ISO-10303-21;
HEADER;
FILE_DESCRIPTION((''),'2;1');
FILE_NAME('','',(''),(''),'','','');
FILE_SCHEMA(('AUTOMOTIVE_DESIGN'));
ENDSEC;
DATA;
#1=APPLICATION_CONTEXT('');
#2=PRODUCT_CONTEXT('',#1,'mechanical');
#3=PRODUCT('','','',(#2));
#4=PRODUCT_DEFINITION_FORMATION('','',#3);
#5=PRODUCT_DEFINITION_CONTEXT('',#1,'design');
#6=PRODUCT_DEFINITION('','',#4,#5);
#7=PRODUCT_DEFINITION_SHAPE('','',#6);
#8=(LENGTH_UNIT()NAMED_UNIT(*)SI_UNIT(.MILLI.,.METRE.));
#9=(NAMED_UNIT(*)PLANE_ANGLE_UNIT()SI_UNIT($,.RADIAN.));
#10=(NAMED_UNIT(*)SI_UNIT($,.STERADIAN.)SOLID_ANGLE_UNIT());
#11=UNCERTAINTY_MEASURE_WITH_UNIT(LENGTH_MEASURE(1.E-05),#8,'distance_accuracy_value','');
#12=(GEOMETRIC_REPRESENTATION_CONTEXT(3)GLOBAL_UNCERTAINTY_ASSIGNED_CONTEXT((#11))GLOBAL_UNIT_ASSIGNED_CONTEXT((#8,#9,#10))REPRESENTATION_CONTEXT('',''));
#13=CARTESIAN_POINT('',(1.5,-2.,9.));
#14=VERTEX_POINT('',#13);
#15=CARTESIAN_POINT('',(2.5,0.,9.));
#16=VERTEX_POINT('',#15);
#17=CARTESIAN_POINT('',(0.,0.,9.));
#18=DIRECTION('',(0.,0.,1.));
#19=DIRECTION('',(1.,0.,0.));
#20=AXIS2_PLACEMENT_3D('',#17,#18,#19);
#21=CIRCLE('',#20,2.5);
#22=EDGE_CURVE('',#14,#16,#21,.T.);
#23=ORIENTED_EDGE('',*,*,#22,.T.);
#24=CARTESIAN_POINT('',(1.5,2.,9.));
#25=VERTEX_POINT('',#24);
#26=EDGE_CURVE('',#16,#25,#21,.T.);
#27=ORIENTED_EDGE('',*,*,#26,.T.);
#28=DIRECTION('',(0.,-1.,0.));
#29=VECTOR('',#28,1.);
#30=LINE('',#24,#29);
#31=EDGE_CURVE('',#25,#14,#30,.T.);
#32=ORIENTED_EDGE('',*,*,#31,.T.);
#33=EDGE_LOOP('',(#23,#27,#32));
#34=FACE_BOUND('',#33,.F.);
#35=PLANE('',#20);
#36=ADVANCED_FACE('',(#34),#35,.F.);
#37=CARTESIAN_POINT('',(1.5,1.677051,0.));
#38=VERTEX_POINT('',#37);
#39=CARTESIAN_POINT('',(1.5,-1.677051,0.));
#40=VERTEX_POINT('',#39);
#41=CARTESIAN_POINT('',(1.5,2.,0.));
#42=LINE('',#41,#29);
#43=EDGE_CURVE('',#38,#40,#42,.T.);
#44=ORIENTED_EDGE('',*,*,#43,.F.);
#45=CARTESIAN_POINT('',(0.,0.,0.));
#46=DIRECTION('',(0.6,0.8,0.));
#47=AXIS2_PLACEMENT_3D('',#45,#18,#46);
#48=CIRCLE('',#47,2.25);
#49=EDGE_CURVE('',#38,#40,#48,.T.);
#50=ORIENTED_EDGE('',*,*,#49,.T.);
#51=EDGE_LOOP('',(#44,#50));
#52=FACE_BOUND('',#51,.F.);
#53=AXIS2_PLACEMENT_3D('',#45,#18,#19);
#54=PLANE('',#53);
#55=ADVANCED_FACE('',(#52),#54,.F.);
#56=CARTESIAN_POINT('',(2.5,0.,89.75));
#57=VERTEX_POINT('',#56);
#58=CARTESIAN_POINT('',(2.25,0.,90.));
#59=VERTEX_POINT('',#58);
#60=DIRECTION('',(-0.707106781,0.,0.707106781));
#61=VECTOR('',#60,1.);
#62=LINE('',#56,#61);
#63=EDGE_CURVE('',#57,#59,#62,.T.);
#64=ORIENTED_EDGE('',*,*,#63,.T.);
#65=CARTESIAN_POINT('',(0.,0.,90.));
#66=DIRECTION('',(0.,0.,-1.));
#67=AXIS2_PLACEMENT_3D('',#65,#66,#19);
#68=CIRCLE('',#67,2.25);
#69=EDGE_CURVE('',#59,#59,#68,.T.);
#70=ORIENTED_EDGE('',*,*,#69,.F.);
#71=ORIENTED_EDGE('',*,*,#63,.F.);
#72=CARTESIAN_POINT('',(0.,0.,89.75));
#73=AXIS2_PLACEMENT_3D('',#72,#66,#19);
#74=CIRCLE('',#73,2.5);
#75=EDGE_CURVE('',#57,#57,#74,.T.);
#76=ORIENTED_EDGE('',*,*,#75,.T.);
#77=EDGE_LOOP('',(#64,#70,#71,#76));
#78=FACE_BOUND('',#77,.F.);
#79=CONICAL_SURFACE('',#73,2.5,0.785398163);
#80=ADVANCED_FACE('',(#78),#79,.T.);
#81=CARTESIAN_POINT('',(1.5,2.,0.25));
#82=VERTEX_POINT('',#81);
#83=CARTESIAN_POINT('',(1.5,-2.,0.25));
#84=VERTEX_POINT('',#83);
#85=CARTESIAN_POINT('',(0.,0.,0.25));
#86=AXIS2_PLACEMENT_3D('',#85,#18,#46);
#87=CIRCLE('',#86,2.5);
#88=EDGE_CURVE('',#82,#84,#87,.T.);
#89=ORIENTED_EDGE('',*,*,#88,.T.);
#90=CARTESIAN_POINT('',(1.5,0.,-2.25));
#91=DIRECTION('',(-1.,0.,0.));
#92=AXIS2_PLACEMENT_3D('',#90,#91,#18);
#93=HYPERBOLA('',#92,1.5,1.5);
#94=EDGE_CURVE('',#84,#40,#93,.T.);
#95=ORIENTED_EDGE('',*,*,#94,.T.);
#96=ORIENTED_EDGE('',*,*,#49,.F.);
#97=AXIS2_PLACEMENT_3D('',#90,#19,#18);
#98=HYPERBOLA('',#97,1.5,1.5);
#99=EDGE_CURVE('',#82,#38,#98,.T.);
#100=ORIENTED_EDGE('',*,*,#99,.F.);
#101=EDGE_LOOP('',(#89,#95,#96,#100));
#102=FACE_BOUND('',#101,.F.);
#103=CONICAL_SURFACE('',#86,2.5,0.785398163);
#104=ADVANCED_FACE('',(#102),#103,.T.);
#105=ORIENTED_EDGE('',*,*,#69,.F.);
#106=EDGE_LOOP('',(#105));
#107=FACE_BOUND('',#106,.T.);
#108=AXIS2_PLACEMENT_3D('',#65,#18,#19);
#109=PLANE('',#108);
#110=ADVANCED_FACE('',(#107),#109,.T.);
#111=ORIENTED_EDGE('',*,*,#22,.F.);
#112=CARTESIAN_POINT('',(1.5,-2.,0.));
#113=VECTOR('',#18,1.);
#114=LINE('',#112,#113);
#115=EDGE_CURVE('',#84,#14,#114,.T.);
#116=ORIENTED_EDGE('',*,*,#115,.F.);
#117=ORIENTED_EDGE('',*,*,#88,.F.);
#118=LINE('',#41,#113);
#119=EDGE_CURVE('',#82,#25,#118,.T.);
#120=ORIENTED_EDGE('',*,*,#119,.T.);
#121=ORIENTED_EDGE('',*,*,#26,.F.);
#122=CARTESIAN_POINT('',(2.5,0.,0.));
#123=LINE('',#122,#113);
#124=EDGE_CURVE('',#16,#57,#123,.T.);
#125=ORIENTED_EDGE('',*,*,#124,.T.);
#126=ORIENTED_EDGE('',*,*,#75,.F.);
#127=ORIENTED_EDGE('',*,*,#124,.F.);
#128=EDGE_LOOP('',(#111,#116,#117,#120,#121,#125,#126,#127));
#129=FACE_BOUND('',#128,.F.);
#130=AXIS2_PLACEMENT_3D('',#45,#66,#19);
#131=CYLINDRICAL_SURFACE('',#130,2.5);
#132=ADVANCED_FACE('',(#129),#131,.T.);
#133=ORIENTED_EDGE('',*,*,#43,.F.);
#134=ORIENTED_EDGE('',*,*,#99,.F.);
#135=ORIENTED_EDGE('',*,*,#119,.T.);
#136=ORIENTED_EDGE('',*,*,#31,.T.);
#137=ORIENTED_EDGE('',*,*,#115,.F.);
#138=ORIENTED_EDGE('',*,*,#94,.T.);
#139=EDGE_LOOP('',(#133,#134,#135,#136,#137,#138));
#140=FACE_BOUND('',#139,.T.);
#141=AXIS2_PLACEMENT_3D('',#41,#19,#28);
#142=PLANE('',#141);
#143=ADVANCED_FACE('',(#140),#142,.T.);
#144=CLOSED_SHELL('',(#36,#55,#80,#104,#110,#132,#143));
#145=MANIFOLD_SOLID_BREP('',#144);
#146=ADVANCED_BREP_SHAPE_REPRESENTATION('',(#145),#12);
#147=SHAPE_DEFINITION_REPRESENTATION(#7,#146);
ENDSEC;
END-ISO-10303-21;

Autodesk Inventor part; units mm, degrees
ref_plane "YZ Plane" through (0, 0, 0) normal (1, 0, 0) x (0, 1, 0)
ref_plane "XZ Plane" through (0, 0, 0) normal (0, 1, 0) x (-1, 0, 0)
ref_plane "XY Plane" through (0, 0, 0) normal (0, 0, 1) x (1, 0, 0)
sketch "Sketch1" plane through (0, 0, 0) normal (0, 0, 1) x (1, 0, 0)
  circle A0 centre (0, 0) radius 2.5
  line L0 (1.5, 2) -> (1.5, -2)
  dimension "d0" = 5
  dimension "d1" = 1.5
extrude "Extrusion1" add sketch "Sketch1" along normal blind 90
extrude "Extrusion2" cut sketch "Sketch1" along normal blind 9 contours A0 L0 picked at (1.6398, 0.534)
chamfer "Chamfer1" distance 0.25 angle 45 2 edges at (-2.5, 0, 90) (-2.5, 0, 0)
properties part number "HeatExchangePistonShaft"
